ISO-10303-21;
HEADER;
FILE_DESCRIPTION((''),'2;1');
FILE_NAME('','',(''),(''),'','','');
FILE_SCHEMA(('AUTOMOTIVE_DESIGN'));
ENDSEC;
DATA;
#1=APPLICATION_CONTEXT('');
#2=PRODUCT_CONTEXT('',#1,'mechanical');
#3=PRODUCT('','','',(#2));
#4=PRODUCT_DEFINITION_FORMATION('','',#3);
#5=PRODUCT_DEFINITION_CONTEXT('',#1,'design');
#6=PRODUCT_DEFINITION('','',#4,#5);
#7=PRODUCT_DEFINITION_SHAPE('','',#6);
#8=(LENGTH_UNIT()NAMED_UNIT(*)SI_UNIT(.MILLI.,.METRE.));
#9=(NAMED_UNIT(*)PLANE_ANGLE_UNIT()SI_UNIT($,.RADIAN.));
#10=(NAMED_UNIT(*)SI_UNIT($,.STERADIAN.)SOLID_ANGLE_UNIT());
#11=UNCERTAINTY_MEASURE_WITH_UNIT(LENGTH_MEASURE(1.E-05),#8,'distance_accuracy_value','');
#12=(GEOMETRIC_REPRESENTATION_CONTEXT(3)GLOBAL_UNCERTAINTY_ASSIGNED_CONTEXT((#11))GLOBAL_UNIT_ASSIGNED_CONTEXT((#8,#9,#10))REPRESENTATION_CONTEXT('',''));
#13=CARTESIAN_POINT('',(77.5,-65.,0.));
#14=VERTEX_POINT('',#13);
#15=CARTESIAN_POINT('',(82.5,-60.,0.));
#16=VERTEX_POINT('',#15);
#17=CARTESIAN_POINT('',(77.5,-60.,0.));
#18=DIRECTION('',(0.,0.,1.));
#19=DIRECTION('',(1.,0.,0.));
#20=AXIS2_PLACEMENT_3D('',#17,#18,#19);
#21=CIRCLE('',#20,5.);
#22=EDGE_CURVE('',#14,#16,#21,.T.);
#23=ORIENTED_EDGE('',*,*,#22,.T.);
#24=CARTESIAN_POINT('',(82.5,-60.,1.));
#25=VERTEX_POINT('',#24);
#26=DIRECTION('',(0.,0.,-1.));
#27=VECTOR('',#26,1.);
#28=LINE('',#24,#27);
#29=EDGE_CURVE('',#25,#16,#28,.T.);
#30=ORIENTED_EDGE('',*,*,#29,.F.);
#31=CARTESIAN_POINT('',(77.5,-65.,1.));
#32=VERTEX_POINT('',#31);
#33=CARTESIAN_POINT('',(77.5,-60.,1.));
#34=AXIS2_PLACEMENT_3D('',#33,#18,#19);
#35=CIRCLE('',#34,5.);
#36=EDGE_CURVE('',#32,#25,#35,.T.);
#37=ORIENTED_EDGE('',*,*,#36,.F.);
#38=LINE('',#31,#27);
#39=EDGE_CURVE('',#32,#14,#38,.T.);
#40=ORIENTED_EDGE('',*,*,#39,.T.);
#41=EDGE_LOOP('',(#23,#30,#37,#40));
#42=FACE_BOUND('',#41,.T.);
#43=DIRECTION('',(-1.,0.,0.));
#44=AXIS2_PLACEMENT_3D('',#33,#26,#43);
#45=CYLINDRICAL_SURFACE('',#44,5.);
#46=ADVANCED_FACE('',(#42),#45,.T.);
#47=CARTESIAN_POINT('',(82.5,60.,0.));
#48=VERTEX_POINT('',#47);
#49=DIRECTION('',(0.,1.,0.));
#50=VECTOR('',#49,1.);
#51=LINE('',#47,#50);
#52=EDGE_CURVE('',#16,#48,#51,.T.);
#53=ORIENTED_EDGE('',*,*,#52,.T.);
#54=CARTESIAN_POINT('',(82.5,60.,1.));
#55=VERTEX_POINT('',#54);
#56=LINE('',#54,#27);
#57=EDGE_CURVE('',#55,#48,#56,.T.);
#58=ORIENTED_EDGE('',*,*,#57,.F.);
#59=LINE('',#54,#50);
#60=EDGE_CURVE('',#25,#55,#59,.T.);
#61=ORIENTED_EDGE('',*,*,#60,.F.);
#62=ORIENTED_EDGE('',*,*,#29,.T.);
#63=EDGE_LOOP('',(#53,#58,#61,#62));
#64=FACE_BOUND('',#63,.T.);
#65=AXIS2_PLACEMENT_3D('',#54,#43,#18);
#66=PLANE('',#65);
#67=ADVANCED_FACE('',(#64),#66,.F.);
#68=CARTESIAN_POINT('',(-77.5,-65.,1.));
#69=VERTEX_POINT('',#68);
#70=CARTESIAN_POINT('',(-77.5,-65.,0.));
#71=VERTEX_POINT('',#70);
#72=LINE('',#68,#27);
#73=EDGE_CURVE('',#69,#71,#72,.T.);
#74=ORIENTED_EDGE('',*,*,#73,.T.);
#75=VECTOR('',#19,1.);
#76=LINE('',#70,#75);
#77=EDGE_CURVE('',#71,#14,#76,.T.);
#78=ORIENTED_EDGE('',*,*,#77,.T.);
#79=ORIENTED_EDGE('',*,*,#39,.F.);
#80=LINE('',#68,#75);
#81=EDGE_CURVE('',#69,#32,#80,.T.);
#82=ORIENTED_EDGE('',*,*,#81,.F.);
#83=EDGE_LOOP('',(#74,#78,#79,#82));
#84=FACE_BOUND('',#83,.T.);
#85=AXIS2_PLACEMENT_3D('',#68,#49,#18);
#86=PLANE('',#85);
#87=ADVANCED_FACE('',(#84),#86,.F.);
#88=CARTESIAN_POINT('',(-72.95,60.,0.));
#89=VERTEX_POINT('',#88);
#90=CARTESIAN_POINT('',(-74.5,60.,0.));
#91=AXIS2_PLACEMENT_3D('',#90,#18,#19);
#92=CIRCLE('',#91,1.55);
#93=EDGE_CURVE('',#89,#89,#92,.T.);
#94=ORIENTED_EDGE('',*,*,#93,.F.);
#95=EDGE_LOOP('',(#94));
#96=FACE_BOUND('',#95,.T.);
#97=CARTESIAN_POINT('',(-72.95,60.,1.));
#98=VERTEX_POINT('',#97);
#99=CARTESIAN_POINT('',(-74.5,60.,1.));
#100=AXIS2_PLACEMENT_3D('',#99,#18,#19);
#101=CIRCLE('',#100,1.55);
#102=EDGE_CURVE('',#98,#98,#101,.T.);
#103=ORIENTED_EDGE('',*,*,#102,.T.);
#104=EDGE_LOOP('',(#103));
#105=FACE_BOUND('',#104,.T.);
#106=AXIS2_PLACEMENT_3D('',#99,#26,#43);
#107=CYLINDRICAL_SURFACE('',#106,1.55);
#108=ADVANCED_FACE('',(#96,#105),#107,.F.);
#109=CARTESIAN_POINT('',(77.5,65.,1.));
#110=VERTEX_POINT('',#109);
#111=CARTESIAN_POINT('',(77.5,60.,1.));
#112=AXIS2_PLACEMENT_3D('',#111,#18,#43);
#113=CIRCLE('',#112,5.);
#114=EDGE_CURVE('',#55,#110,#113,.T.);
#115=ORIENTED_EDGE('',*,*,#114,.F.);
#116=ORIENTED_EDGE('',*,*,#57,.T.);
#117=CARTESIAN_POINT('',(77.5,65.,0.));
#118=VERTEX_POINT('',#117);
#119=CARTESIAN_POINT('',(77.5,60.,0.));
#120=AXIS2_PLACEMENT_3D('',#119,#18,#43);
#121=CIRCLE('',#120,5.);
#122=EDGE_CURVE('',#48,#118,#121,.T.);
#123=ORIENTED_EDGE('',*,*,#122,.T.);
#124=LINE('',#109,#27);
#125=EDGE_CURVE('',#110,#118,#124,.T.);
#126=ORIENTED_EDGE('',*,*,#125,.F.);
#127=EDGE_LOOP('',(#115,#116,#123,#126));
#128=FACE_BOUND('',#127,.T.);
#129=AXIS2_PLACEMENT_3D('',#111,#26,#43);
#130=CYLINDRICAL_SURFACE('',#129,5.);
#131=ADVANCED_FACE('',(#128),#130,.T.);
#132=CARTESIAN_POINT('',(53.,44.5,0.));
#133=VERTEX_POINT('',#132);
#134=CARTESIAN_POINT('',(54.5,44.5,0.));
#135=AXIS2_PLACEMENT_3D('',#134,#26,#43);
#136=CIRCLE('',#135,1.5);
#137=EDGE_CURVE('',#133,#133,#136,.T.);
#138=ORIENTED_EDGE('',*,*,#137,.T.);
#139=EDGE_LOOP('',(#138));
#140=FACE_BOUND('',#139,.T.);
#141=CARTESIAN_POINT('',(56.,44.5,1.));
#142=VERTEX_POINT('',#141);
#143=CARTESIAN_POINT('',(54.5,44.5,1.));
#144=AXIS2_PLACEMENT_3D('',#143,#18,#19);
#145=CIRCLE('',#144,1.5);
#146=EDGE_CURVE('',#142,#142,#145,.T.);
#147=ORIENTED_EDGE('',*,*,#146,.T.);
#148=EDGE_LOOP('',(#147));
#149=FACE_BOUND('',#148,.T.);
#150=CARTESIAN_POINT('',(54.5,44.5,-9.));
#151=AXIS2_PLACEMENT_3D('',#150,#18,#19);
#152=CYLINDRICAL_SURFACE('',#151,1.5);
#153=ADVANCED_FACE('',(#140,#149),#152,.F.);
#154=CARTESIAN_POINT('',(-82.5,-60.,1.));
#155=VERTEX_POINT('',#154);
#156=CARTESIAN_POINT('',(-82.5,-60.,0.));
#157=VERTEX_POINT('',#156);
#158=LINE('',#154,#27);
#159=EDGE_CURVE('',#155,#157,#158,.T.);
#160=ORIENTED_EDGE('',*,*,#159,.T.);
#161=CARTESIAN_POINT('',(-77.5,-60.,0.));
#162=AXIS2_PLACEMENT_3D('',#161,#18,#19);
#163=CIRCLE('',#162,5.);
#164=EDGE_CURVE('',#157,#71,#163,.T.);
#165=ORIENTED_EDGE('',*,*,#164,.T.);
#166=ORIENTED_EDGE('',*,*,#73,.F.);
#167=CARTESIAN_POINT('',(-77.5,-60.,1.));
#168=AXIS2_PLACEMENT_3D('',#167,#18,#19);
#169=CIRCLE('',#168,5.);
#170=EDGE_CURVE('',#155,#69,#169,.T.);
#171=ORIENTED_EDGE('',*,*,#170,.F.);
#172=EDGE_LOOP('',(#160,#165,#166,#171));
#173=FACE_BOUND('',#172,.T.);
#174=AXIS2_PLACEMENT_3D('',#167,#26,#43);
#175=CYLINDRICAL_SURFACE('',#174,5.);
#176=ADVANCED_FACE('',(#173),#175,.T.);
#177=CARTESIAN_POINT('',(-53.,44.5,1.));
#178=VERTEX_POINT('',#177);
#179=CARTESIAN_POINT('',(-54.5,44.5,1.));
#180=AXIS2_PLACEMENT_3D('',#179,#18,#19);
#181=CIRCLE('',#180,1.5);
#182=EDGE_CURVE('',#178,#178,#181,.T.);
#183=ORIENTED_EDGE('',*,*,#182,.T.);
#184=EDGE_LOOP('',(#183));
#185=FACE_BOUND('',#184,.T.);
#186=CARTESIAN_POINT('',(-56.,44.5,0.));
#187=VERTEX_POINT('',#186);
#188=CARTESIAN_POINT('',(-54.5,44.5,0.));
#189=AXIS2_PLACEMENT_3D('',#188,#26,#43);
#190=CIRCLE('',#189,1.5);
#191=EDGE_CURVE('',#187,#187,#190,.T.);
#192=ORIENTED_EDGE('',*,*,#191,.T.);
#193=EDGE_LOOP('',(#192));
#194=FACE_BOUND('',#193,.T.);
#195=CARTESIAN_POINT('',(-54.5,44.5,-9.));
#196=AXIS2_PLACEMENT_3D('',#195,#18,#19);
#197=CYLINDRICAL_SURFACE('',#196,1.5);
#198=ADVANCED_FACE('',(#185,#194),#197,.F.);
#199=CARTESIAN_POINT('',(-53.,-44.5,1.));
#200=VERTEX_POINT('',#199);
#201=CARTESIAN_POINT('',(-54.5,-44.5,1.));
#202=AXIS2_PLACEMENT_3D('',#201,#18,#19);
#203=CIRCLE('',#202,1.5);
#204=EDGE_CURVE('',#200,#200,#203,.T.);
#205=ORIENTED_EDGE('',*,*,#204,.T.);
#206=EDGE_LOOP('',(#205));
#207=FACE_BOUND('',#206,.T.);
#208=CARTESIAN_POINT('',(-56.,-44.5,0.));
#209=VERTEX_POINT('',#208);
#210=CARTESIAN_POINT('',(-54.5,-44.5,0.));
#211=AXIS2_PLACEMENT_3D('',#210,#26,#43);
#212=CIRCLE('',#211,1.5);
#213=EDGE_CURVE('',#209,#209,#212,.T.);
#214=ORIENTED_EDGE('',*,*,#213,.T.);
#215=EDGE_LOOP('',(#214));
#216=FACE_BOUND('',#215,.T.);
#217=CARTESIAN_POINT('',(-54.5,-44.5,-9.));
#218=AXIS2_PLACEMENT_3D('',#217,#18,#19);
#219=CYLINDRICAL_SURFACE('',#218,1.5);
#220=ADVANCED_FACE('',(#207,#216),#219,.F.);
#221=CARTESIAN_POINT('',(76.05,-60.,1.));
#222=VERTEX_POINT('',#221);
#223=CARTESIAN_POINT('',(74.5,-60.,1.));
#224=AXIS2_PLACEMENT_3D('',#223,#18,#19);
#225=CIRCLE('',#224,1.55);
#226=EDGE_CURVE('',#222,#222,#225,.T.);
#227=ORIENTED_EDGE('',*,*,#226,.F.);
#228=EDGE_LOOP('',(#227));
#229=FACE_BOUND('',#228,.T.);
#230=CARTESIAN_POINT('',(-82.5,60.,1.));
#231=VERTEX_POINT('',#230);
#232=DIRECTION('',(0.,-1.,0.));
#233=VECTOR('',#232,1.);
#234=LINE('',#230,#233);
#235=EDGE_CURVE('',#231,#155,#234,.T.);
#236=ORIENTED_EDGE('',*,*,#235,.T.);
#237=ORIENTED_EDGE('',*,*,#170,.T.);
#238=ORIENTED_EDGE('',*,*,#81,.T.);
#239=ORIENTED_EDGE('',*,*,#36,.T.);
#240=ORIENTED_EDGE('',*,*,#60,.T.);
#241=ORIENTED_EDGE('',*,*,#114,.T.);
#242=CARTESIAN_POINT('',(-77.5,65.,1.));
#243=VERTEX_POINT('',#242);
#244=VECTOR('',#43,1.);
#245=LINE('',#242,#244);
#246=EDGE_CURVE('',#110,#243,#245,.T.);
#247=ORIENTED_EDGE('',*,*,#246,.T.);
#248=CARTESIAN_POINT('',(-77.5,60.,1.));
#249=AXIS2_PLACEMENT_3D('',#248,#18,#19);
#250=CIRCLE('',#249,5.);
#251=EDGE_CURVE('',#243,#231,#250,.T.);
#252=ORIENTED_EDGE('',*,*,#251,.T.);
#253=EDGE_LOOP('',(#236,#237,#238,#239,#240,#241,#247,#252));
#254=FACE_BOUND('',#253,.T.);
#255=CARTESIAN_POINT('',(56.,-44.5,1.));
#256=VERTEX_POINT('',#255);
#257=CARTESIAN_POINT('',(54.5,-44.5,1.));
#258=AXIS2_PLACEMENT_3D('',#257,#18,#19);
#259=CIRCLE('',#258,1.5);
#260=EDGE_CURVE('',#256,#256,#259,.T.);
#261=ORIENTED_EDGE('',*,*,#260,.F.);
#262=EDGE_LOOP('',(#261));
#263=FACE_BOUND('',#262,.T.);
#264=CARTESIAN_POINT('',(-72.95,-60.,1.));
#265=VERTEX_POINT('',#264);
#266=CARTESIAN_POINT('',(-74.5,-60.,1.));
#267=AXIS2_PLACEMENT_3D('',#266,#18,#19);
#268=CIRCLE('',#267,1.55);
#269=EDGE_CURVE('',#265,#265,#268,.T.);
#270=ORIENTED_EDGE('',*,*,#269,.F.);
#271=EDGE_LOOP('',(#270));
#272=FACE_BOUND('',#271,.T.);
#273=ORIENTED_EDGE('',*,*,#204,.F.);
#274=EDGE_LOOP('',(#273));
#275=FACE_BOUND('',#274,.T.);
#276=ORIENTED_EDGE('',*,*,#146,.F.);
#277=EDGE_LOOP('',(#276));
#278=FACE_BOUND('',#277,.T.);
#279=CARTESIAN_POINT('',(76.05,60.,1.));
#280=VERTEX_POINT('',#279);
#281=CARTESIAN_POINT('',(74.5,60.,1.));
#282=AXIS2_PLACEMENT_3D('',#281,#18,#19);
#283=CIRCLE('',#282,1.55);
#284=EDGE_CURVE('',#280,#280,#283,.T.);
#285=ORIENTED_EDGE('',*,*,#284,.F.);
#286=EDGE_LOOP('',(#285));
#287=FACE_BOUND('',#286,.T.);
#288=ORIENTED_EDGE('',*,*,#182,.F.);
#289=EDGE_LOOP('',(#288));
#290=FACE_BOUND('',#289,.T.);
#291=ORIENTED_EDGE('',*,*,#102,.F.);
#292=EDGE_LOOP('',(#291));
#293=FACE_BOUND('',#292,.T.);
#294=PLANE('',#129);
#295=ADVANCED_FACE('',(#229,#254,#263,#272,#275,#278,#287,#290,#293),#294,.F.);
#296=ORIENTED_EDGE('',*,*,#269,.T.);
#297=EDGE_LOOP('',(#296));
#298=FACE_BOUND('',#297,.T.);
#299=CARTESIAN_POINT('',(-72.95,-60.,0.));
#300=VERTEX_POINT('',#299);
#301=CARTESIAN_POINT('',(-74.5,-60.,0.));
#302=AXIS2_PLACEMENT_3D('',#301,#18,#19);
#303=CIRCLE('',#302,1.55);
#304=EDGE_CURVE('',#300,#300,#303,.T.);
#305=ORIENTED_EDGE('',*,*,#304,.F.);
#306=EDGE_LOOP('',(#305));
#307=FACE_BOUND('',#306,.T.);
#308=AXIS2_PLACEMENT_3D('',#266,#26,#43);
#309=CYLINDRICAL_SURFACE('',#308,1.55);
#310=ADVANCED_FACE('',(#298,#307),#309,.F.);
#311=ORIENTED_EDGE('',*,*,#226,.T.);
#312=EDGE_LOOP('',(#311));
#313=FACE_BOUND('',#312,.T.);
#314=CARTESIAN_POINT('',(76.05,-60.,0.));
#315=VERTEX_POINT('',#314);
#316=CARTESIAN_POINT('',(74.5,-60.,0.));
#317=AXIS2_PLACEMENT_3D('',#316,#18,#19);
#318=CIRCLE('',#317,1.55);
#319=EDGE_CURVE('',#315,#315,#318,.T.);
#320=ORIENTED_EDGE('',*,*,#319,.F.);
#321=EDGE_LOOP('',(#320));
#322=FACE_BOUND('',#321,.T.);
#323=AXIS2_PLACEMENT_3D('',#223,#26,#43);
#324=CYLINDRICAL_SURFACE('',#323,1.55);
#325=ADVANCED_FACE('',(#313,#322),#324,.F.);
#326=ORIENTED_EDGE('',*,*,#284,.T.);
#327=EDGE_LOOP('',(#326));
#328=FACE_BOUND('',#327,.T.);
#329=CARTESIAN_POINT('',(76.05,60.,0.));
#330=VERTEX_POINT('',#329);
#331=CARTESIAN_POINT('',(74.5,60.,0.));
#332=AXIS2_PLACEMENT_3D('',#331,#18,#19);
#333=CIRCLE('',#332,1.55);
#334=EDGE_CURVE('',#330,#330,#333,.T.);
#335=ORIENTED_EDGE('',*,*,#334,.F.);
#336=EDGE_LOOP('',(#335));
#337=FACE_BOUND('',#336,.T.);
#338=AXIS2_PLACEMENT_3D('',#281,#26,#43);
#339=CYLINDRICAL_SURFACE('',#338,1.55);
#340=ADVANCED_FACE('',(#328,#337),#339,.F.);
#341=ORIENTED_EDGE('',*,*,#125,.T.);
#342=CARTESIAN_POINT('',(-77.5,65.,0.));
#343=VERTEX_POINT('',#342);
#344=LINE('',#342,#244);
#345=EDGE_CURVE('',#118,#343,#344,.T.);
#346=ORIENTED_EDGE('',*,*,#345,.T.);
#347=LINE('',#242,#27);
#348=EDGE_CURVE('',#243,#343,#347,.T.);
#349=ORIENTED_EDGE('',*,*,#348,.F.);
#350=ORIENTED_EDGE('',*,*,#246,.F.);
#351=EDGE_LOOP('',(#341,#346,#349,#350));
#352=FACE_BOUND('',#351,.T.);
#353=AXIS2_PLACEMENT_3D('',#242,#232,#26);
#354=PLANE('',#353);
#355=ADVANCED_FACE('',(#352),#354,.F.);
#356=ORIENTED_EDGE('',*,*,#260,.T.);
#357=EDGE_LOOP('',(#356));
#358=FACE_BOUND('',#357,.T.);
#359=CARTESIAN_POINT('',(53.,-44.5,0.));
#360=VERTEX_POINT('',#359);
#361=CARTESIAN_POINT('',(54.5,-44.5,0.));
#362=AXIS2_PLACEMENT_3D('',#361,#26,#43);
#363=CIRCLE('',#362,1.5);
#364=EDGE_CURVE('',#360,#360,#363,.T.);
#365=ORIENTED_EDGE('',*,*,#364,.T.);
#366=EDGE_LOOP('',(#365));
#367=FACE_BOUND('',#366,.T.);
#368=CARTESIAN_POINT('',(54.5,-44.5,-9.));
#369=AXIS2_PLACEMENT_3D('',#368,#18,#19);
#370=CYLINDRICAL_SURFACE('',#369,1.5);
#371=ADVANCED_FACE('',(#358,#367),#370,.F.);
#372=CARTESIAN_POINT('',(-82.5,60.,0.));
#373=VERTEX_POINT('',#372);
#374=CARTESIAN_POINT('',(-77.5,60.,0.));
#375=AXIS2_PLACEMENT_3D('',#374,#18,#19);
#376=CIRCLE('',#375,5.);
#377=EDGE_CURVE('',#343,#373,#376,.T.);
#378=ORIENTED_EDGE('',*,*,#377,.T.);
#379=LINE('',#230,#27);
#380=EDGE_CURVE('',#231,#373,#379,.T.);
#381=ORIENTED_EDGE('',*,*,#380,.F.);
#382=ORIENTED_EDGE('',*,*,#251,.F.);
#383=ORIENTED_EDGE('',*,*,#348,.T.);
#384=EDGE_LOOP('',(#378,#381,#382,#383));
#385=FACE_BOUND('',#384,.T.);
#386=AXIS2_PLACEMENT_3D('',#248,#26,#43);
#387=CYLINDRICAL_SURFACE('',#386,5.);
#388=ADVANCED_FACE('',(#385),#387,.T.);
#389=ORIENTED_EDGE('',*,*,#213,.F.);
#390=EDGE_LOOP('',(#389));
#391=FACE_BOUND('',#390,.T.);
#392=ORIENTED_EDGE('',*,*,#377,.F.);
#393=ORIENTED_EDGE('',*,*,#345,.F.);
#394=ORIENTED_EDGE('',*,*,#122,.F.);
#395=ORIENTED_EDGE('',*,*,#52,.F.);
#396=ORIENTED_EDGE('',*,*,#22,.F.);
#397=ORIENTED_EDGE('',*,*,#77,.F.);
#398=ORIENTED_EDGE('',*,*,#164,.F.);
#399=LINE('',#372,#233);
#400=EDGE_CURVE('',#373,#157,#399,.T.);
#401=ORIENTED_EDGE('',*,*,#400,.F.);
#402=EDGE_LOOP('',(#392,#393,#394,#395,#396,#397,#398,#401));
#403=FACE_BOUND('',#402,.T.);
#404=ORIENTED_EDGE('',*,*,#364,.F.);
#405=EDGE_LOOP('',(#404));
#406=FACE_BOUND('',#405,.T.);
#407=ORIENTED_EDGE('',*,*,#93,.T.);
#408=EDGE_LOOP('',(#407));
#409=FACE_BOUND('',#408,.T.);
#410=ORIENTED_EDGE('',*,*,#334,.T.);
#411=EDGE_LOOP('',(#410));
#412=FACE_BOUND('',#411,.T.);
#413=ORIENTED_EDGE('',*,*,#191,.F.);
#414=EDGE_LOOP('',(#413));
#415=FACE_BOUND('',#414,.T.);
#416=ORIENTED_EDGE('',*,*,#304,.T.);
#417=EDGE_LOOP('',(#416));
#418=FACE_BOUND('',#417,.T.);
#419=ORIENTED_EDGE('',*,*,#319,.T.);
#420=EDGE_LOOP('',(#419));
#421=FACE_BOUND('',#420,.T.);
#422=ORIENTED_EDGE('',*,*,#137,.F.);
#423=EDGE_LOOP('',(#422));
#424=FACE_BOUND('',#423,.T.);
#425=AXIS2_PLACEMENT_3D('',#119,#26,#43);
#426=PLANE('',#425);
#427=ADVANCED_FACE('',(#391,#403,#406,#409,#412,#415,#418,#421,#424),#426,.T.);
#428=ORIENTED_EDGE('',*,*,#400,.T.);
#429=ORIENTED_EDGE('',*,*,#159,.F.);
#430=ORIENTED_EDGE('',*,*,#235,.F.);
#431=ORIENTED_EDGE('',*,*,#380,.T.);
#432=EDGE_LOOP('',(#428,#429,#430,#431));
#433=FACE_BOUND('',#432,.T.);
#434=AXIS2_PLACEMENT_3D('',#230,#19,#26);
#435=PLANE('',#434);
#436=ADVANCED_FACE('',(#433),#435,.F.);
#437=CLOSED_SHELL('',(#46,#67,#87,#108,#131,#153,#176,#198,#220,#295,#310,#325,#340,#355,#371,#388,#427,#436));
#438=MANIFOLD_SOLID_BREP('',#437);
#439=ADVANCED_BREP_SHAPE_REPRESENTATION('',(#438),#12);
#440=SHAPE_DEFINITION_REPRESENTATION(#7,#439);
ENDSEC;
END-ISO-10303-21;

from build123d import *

# Parameters (mm, degrees)
SKETCH_1_R          = 1.55
EXTRUDE_1_DEPTH     = 1
SKETCH_2_R          = 1.5
CUT_EXTRUDE_1_DEPTH = 10


with BuildPart() as part:
    # 草图1 → 凸台-拉伸1 (new body)
    with BuildSketch(Plane.XY):
        with BuildLine():
            Line((-77.5, 65), (77.5, 65))
            ThreePointArc((77.5, 65), (81.035533906, 63.535533906), (82.5, 60))
            Line((82.5, 60), (82.5, -60))
            ThreePointArc((82.5, -60), (81.035533906, -63.535533906), (77.5, -65))
            Line((77.5, -65), (-77.5, -65))
            ThreePointArc((-77.5, -65), (-81.035533906, -63.535533906), (-82.5, -60))
            Line((-82.5, -60), (-82.5, 60))
            ThreePointArc((-82.5, 60), (-81.035533906, 63.535533906), (-77.5, 65))
        make_face()
        with Locations((-74.5, 60)):
            Circle(SKETCH_1_R, mode=Mode.SUBTRACT)
        with Locations((74.5, 60)):
            Circle(SKETCH_1_R, mode=Mode.SUBTRACT)
        with Locations((74.5, -60)):
            Circle(SKETCH_1_R, mode=Mode.SUBTRACT)
        with Locations((-74.5, -60)):
            Circle(SKETCH_1_R, mode=Mode.SUBTRACT)
    extrude(amount=EXTRUDE_1_DEPTH)

    # 草图2 → 切除-拉伸1 (cut)
    with BuildSketch(Plane.XY.offset(1)):
        with Locations((-54.5, 44.5)):
            Circle(SKETCH_2_R)
        with Locations((-54.5, -44.5)):
            Circle(SKETCH_2_R)
        with Locations((54.5, -44.5)):
            Circle(SKETCH_2_R)
        with Locations((54.5, 44.5)):
            Circle(SKETCH_2_R)
    extrude(amount=-CUT_EXTRUDE_1_DEPTH, mode=Mode.SUBTRACT)


solid = part.part
